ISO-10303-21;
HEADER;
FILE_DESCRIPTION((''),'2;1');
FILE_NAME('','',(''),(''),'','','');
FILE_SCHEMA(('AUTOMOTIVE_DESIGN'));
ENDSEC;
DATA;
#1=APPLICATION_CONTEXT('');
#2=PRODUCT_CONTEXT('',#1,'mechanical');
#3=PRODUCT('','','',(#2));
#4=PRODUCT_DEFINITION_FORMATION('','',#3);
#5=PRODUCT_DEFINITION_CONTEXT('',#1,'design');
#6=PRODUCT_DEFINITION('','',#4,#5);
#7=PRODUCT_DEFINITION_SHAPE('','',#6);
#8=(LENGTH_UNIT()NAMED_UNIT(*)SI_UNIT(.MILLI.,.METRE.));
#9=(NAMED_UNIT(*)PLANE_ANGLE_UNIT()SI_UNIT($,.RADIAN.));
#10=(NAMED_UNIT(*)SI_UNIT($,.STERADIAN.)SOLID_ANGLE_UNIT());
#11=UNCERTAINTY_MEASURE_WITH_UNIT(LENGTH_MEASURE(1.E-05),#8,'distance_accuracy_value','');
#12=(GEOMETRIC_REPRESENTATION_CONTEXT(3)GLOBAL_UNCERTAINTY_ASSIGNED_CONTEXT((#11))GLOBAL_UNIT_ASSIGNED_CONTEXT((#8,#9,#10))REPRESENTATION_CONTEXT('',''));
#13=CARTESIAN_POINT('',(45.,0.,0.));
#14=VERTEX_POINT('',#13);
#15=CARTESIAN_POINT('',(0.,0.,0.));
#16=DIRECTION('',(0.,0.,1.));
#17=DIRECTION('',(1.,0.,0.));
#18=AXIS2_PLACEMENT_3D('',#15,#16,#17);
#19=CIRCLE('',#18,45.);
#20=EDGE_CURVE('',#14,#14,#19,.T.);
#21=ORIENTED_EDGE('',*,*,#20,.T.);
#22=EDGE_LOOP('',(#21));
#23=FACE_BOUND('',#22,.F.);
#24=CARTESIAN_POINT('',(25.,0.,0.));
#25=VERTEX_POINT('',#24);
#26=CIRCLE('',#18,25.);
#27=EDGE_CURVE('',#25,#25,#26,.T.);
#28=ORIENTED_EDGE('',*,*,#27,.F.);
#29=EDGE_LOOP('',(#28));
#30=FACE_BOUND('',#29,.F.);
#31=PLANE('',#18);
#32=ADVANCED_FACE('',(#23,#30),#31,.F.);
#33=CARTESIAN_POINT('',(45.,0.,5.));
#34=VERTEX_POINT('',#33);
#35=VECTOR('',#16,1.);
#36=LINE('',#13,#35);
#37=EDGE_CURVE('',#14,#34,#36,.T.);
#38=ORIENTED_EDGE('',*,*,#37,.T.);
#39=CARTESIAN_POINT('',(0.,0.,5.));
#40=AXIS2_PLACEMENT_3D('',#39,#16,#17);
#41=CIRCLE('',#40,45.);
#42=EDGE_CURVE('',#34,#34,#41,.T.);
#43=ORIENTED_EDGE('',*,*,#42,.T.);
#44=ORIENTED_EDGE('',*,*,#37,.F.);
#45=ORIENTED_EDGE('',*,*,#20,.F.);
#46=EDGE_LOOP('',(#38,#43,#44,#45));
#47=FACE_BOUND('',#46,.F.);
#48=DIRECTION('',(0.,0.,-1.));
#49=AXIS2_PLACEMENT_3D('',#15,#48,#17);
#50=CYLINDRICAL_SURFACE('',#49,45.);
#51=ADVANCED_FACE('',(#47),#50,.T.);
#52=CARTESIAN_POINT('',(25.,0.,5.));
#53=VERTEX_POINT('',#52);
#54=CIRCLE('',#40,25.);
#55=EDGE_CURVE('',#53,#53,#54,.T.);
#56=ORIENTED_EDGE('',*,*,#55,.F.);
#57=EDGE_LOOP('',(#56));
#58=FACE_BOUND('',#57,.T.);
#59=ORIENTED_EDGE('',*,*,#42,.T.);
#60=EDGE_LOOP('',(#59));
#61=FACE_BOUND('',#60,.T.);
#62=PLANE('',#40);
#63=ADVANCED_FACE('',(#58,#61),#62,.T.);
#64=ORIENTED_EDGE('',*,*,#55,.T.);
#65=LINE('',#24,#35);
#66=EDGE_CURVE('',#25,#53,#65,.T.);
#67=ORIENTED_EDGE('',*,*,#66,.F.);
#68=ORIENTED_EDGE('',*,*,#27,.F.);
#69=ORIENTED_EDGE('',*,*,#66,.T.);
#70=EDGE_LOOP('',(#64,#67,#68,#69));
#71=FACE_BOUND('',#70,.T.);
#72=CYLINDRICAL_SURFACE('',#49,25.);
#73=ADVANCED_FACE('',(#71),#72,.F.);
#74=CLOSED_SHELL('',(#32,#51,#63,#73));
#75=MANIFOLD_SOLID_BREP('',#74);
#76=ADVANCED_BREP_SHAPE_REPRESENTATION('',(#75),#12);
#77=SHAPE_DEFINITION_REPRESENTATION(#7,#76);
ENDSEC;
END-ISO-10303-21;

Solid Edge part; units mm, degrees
sketch "Sketch1" plane through (0, 0, 0) normal (0, 0, 1) x (1, 0, 0)
  circle A0 centre (0, 0) radius 45
  circle A1 centre (0, 0) radius 25
extrude "Protrusion1" add sketch "Sketch1" along normal blind 5
